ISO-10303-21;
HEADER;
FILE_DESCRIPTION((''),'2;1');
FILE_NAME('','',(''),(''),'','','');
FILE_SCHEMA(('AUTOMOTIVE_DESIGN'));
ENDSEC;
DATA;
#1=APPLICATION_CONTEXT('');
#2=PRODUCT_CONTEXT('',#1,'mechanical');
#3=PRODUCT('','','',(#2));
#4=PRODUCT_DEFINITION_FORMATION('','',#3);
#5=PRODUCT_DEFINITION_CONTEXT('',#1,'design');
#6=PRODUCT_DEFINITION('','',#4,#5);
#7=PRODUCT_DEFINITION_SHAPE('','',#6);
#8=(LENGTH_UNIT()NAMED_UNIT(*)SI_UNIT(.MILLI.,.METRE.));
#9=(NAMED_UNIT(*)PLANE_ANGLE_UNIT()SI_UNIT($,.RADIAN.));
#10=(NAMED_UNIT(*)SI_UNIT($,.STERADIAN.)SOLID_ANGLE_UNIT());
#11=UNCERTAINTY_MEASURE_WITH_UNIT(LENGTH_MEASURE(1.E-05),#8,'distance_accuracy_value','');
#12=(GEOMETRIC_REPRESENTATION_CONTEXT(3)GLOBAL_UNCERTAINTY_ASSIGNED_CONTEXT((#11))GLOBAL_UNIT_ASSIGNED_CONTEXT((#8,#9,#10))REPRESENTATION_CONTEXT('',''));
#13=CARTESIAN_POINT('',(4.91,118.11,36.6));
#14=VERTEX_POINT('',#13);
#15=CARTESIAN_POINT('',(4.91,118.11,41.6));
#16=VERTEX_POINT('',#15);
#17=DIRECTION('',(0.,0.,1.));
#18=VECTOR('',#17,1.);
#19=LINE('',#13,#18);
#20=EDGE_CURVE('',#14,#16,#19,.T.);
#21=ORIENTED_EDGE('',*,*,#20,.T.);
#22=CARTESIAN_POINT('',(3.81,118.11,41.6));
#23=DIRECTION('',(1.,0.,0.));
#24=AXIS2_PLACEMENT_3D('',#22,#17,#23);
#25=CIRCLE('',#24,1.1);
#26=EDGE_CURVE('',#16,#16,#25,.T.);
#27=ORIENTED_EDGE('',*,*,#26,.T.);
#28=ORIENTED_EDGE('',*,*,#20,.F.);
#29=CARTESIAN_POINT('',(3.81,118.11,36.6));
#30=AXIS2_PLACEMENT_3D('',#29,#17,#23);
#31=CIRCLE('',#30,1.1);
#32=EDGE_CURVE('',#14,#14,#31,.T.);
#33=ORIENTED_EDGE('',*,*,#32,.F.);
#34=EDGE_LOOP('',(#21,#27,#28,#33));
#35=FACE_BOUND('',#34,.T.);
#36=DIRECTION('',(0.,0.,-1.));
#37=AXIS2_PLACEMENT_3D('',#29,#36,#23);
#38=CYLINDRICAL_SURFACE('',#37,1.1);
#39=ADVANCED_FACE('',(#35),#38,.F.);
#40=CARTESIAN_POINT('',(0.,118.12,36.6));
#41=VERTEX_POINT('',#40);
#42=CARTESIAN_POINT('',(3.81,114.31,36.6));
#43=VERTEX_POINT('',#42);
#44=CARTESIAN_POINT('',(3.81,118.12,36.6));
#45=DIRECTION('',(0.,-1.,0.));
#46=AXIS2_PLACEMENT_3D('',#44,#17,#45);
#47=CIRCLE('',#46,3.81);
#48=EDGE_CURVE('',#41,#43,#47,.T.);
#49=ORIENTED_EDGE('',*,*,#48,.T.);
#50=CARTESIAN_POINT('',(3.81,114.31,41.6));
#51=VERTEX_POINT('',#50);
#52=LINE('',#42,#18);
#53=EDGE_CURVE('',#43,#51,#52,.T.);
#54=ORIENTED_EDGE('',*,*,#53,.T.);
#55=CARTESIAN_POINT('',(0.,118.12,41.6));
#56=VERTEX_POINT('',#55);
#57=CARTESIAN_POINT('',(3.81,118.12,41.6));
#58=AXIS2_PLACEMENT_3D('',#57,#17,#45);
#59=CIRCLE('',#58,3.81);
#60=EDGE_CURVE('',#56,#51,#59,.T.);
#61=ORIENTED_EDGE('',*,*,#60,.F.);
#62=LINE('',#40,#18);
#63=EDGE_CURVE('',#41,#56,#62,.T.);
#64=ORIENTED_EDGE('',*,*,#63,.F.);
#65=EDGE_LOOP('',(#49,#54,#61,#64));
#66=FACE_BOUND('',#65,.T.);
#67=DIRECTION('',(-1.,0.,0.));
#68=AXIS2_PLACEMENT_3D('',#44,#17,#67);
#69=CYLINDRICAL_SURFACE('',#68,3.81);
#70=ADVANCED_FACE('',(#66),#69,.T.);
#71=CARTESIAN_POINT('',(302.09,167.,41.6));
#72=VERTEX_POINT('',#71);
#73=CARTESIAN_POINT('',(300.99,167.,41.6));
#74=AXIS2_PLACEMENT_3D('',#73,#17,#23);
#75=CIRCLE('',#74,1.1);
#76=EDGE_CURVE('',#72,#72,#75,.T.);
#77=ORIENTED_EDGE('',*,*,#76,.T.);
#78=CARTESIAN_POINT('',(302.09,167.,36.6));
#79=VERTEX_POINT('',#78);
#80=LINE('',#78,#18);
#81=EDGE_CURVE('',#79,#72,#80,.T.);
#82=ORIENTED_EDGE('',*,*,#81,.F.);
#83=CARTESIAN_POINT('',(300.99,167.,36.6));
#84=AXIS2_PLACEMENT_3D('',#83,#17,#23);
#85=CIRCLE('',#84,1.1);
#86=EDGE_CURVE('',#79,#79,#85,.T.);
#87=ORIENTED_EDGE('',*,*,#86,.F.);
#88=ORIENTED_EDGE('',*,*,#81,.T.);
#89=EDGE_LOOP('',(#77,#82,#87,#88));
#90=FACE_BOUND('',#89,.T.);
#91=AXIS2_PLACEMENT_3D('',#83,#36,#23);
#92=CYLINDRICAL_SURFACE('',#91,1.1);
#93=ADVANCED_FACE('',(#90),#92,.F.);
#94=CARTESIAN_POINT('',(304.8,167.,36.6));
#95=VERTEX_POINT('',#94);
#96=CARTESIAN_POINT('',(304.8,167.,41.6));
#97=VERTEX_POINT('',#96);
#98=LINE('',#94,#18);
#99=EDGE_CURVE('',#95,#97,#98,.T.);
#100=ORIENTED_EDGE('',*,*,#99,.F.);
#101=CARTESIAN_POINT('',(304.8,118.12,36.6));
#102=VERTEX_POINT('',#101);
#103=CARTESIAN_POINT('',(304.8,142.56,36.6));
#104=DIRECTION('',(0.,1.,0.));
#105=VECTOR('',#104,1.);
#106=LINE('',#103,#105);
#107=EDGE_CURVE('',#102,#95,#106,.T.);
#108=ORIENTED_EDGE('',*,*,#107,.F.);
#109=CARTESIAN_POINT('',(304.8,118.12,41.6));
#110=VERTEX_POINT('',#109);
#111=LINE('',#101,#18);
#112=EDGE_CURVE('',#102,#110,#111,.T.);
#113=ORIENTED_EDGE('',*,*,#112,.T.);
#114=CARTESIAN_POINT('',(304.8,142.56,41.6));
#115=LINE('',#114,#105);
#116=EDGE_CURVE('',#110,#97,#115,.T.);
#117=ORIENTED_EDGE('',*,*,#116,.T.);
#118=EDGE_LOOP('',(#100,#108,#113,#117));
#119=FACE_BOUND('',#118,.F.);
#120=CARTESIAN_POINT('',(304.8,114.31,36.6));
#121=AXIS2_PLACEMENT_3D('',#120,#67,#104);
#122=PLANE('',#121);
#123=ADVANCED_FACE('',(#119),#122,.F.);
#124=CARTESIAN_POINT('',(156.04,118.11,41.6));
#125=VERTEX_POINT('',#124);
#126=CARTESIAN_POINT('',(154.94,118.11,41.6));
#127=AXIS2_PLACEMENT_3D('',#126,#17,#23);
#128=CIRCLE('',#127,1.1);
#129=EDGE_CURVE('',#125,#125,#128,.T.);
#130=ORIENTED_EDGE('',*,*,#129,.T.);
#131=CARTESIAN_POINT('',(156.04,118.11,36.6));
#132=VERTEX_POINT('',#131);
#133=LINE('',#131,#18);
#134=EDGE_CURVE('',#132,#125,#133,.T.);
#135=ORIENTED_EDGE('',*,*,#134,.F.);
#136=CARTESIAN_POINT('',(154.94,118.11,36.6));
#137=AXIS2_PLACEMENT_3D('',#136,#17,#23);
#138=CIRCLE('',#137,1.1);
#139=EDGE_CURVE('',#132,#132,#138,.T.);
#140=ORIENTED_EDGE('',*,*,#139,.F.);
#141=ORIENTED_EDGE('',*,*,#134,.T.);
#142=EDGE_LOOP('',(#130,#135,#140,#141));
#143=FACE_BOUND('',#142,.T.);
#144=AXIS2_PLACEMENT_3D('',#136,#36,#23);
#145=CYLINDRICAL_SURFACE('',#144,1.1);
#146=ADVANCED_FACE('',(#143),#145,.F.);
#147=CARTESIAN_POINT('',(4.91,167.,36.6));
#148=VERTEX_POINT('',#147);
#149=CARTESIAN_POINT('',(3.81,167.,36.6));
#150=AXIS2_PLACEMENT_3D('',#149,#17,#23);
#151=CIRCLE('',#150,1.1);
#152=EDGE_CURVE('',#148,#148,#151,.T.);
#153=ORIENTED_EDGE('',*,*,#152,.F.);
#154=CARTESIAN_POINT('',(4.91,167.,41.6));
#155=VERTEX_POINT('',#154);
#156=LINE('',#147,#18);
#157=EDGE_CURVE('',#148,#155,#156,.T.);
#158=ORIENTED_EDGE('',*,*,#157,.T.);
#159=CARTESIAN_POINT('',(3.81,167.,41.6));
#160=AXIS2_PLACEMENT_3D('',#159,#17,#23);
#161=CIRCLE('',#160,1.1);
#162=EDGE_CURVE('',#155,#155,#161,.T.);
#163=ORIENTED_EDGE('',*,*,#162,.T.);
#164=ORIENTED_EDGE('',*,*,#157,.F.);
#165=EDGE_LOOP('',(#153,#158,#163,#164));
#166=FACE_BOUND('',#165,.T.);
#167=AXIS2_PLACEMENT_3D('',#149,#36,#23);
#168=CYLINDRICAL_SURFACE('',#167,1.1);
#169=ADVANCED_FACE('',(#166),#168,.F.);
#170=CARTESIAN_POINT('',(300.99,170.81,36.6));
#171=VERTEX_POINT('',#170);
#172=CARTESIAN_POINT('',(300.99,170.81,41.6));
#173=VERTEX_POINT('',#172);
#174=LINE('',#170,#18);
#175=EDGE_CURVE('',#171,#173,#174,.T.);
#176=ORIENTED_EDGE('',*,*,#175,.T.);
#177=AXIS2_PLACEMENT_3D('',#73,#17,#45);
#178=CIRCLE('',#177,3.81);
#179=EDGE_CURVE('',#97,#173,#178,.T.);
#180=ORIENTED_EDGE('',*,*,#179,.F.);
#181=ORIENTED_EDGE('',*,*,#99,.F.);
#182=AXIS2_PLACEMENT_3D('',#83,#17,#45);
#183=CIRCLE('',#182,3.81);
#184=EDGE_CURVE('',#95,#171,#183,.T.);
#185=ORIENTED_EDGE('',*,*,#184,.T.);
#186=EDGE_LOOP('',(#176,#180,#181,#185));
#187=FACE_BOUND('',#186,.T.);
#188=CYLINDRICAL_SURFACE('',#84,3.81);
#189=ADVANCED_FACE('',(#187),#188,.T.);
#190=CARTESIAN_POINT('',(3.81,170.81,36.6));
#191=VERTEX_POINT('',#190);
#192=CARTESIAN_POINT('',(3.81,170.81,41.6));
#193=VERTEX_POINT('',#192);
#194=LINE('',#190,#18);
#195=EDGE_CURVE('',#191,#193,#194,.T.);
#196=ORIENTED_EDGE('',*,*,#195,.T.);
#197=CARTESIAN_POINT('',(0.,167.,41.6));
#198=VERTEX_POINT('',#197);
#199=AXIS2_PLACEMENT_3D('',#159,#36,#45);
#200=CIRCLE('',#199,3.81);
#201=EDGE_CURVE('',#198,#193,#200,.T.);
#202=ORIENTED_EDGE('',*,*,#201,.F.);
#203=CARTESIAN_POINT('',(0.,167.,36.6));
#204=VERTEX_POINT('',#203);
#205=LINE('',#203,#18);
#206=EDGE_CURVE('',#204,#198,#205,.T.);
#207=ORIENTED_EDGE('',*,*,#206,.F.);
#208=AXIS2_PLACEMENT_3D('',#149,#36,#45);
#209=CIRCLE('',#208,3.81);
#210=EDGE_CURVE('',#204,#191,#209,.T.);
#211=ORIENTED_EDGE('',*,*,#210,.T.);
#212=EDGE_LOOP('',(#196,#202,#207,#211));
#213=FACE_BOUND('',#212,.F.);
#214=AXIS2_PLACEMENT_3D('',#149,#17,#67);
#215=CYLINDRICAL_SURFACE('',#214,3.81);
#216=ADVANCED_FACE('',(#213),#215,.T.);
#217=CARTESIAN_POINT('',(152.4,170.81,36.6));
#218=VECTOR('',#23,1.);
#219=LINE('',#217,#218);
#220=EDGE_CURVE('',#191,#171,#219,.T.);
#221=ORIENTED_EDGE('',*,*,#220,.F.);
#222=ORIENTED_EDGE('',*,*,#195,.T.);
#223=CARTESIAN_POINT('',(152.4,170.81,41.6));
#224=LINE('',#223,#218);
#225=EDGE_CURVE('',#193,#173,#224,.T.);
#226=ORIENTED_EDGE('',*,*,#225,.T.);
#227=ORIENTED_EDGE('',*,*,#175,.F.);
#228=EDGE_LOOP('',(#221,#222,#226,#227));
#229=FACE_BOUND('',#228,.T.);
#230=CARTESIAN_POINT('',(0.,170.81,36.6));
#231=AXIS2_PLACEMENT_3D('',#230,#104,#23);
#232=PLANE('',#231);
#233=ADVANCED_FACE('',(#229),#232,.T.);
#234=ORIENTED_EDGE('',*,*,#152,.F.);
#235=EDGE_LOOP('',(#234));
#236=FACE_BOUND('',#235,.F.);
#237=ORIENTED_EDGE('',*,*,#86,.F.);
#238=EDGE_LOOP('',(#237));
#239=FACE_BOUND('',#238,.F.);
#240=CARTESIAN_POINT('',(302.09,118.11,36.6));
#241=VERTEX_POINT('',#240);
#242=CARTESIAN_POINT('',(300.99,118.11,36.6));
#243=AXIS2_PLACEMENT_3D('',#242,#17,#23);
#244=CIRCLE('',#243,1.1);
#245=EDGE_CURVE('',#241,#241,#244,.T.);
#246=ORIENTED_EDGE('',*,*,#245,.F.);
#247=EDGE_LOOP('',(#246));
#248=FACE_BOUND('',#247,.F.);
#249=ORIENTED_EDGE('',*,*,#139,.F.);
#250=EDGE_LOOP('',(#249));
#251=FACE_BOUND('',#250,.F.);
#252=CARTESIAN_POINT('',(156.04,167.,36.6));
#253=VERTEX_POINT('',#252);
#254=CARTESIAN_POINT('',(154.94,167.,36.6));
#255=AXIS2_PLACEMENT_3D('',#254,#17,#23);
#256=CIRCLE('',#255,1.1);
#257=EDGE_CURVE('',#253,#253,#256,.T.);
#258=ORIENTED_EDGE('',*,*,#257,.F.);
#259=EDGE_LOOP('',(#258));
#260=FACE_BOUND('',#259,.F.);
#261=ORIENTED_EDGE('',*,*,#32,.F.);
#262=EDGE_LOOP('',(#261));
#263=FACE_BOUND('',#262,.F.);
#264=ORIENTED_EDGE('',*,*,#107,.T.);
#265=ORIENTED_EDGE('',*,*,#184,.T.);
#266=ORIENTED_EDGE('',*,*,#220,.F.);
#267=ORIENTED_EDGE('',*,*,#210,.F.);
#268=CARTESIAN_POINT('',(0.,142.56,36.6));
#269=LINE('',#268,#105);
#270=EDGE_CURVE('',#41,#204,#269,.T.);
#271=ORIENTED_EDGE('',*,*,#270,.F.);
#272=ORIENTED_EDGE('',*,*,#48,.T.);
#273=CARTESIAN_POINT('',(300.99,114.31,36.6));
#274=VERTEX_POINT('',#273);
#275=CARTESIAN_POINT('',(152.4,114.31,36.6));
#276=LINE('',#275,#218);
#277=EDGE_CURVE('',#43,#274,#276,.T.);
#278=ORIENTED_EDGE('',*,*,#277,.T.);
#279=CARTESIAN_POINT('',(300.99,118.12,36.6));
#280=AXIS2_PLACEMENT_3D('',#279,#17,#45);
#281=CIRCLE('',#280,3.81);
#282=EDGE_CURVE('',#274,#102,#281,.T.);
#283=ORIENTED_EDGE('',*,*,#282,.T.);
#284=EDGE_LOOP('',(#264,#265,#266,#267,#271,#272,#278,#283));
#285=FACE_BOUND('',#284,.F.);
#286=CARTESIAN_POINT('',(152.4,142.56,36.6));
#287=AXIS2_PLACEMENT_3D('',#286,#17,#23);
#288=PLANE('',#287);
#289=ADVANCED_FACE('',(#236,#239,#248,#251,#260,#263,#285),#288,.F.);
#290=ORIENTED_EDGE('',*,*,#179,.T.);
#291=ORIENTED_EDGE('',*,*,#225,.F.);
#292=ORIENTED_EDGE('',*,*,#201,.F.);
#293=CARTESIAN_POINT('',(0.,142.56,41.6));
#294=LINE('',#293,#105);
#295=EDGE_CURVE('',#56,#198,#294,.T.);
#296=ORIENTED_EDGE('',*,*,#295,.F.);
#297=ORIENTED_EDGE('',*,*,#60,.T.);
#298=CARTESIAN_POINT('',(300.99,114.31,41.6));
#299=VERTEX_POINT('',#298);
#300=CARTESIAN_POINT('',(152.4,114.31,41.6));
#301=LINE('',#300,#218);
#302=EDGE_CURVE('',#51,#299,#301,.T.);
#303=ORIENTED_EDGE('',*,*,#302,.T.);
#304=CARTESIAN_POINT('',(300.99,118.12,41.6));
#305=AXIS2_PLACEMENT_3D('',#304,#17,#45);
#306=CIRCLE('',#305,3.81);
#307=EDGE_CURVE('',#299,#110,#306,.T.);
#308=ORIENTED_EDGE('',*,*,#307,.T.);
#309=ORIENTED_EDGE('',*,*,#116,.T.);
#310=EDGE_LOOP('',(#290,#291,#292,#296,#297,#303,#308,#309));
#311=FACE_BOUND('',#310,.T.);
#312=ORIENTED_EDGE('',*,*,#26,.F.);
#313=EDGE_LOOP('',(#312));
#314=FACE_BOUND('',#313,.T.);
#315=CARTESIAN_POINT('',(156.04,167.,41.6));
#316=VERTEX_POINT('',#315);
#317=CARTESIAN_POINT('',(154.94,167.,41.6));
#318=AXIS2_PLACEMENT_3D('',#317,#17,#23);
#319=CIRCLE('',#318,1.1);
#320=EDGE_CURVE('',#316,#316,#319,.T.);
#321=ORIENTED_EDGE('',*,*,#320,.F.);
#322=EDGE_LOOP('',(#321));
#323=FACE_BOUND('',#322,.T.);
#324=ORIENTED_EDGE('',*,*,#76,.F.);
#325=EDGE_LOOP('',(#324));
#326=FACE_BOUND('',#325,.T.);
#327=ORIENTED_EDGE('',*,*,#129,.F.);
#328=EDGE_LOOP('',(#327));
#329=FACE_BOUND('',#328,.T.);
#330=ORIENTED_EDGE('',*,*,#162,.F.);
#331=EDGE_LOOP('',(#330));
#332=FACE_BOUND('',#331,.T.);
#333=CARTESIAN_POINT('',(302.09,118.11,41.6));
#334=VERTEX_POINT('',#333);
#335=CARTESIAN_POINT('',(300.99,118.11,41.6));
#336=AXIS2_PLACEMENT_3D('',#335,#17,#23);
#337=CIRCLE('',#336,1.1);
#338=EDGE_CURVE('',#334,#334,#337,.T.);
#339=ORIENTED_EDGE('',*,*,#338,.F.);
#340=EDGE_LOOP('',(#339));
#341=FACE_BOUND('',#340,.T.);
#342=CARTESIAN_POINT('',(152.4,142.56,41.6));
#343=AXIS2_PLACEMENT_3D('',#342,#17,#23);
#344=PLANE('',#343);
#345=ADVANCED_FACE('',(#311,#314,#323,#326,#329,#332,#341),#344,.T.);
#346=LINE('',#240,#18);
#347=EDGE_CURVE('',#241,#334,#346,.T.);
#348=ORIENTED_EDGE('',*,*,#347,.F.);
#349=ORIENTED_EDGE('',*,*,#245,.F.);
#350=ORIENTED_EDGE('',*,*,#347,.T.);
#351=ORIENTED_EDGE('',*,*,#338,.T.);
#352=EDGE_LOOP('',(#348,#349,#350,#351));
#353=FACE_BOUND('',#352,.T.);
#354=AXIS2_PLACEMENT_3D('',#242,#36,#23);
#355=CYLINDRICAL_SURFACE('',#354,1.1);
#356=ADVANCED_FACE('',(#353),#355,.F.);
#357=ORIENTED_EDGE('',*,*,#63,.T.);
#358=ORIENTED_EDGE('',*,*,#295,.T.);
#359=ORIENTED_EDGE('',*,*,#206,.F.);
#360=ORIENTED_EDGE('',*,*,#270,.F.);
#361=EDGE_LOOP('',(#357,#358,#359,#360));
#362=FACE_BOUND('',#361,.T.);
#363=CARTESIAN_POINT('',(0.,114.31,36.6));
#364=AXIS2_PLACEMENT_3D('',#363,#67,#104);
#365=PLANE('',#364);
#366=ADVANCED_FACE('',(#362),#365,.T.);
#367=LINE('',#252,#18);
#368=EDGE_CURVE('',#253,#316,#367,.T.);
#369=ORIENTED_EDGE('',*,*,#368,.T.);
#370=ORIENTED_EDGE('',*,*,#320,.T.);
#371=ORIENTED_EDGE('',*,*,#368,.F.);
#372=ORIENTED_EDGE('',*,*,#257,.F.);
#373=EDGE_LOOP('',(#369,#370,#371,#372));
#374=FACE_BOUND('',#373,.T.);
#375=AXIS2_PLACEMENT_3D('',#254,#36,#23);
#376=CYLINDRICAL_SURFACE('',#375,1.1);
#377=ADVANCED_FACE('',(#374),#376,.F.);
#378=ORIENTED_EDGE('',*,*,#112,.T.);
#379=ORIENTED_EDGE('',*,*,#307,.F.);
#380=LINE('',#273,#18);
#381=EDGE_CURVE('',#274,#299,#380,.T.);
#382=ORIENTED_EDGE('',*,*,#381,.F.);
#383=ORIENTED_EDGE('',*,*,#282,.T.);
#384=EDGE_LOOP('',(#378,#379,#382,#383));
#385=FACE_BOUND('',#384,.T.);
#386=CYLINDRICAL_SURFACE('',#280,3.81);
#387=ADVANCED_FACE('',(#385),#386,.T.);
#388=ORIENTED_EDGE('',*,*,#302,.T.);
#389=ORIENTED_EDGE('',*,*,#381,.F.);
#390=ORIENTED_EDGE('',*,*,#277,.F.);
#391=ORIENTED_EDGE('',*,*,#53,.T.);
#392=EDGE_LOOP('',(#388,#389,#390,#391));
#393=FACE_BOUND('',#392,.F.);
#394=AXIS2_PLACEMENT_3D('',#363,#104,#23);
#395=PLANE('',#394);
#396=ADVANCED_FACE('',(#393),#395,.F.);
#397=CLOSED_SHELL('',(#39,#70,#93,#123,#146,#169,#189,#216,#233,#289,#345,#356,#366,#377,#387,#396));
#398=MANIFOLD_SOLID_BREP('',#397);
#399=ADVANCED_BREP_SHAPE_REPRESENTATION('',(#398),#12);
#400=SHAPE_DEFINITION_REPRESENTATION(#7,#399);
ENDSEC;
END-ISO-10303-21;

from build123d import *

# Parameters (mm, degrees)
CYLINDER013_R     = 1.1
CYLINDER013_DEPTH = 5
CYLINDER014_R     = 1.1
CYLINDER014_DEPTH = 5
CYLINDER015_R     = 1.1
CYLINDER015_DEPTH = 5
CYLINDER016_R     = 1.1
CYLINDER016_DEPTH = 5
CYLINDER017_R     = 1.1
CYLINDER017_DEPTH = 5
CYLINDER012_R     = 1.1
CYLINDER012_DEPTH = 5
BOX001_W          = 304.8
BOX001_H          = 56.5
BOX001_DEPTH      = 5
FILLET001_R       = 3.81


with BuildPart() as hptm001:
    # Cylinder013 → Cylinder013 (new body)
    with BuildSketch(Plane(origin=(154.94, 167, 36.6), x_dir=(1, 0, 0), z_dir=(0, 0, 1))):
        Circle(CYLINDER013_R)
    extrude(amount=CYLINDER013_DEPTH)


with BuildPart() as hptr001:
    # Cylinder014 → Cylinder014 (new body)
    with BuildSketch(Plane(origin=(300.99, 167, 36.6), x_dir=(1, 0, 0), z_dir=(0, 0, 1))):
        Circle(CYLINDER014_R)
    extrude(amount=CYLINDER014_DEPTH)


with BuildPart() as hpbl001:
    # Cylinder015 → Cylinder015 (new body)
    with BuildSketch(Plane(origin=(3.81, 118.11, 36.6), x_dir=(1, 0, 0), z_dir=(0, 0, 1))):
        Circle(CYLINDER015_R)
    extrude(amount=CYLINDER015_DEPTH)


with BuildPart() as hpbm001:
    # Cylinder016 → Cylinder016 (new body)
    with BuildSketch(Plane(origin=(154.94, 118.11, 36.6), x_dir=(1, 0, 0), z_dir=(0, 0, 1))):
        Circle(CYLINDER016_R)
    extrude(amount=CYLINDER016_DEPTH)


with BuildPart() as hpbr001:
    # Cylinder017 → Cylinder017 (new body)
    with BuildSketch(Plane(origin=(300.99, 118.11, 36.6), x_dir=(1, 0, 0), z_dir=(0, 0, 1))):
        Circle(CYLINDER017_R)
    extrude(amount=CYLINDER017_DEPTH)


with BuildPart() as fusion001:
    # Cylinder012 → Cylinder012 (new body)
    with BuildSketch(Plane(origin=(3.81, 167, 36.6), x_dir=(1, 0, 0), z_dir=(0, 0, 1))):
        Circle(CYLINDER012_R)
    extrude(amount=CYLINDER012_DEPTH)

    # Fusion001: union HPTM001, HPTR001, HPBL001, HPBM001, HPBR001
    add(hptm001.part)
    add(hptr001.part)
    add(hpbl001.part)
    add(hpbm001.part)
    add(hpbr001.part)


with BuildPart() as cut001:
    # Box001 → Box001 (new body)
    with BuildSketch(Plane(origin=(0, 114.31, 36.6), x_dir=(1, 0, 0), z_dir=(0, 0, 1))):
        with Locations((152.4, 28.25)):
            Rectangle(BOX001_W, BOX001_H)
    extrude(amount=BOX001_DEPTH)

    # Fillet001
    fillet001_edges = [cut001.edges().sort_by_distance(p)[0] for p in [
        (0, 114.31, 39.1),
        (0, 170.81, 39.1),
        (304.8, 114.31, 39.1),
        (304.8, 170.81, 39.1),
    ]]
    fillet(fillet001_edges, radius=FILLET001_R)

    # Cut001: cut Fusion001
    add(fusion001.part, mode=Mode.SUBTRACT)


solid = cut001.part
